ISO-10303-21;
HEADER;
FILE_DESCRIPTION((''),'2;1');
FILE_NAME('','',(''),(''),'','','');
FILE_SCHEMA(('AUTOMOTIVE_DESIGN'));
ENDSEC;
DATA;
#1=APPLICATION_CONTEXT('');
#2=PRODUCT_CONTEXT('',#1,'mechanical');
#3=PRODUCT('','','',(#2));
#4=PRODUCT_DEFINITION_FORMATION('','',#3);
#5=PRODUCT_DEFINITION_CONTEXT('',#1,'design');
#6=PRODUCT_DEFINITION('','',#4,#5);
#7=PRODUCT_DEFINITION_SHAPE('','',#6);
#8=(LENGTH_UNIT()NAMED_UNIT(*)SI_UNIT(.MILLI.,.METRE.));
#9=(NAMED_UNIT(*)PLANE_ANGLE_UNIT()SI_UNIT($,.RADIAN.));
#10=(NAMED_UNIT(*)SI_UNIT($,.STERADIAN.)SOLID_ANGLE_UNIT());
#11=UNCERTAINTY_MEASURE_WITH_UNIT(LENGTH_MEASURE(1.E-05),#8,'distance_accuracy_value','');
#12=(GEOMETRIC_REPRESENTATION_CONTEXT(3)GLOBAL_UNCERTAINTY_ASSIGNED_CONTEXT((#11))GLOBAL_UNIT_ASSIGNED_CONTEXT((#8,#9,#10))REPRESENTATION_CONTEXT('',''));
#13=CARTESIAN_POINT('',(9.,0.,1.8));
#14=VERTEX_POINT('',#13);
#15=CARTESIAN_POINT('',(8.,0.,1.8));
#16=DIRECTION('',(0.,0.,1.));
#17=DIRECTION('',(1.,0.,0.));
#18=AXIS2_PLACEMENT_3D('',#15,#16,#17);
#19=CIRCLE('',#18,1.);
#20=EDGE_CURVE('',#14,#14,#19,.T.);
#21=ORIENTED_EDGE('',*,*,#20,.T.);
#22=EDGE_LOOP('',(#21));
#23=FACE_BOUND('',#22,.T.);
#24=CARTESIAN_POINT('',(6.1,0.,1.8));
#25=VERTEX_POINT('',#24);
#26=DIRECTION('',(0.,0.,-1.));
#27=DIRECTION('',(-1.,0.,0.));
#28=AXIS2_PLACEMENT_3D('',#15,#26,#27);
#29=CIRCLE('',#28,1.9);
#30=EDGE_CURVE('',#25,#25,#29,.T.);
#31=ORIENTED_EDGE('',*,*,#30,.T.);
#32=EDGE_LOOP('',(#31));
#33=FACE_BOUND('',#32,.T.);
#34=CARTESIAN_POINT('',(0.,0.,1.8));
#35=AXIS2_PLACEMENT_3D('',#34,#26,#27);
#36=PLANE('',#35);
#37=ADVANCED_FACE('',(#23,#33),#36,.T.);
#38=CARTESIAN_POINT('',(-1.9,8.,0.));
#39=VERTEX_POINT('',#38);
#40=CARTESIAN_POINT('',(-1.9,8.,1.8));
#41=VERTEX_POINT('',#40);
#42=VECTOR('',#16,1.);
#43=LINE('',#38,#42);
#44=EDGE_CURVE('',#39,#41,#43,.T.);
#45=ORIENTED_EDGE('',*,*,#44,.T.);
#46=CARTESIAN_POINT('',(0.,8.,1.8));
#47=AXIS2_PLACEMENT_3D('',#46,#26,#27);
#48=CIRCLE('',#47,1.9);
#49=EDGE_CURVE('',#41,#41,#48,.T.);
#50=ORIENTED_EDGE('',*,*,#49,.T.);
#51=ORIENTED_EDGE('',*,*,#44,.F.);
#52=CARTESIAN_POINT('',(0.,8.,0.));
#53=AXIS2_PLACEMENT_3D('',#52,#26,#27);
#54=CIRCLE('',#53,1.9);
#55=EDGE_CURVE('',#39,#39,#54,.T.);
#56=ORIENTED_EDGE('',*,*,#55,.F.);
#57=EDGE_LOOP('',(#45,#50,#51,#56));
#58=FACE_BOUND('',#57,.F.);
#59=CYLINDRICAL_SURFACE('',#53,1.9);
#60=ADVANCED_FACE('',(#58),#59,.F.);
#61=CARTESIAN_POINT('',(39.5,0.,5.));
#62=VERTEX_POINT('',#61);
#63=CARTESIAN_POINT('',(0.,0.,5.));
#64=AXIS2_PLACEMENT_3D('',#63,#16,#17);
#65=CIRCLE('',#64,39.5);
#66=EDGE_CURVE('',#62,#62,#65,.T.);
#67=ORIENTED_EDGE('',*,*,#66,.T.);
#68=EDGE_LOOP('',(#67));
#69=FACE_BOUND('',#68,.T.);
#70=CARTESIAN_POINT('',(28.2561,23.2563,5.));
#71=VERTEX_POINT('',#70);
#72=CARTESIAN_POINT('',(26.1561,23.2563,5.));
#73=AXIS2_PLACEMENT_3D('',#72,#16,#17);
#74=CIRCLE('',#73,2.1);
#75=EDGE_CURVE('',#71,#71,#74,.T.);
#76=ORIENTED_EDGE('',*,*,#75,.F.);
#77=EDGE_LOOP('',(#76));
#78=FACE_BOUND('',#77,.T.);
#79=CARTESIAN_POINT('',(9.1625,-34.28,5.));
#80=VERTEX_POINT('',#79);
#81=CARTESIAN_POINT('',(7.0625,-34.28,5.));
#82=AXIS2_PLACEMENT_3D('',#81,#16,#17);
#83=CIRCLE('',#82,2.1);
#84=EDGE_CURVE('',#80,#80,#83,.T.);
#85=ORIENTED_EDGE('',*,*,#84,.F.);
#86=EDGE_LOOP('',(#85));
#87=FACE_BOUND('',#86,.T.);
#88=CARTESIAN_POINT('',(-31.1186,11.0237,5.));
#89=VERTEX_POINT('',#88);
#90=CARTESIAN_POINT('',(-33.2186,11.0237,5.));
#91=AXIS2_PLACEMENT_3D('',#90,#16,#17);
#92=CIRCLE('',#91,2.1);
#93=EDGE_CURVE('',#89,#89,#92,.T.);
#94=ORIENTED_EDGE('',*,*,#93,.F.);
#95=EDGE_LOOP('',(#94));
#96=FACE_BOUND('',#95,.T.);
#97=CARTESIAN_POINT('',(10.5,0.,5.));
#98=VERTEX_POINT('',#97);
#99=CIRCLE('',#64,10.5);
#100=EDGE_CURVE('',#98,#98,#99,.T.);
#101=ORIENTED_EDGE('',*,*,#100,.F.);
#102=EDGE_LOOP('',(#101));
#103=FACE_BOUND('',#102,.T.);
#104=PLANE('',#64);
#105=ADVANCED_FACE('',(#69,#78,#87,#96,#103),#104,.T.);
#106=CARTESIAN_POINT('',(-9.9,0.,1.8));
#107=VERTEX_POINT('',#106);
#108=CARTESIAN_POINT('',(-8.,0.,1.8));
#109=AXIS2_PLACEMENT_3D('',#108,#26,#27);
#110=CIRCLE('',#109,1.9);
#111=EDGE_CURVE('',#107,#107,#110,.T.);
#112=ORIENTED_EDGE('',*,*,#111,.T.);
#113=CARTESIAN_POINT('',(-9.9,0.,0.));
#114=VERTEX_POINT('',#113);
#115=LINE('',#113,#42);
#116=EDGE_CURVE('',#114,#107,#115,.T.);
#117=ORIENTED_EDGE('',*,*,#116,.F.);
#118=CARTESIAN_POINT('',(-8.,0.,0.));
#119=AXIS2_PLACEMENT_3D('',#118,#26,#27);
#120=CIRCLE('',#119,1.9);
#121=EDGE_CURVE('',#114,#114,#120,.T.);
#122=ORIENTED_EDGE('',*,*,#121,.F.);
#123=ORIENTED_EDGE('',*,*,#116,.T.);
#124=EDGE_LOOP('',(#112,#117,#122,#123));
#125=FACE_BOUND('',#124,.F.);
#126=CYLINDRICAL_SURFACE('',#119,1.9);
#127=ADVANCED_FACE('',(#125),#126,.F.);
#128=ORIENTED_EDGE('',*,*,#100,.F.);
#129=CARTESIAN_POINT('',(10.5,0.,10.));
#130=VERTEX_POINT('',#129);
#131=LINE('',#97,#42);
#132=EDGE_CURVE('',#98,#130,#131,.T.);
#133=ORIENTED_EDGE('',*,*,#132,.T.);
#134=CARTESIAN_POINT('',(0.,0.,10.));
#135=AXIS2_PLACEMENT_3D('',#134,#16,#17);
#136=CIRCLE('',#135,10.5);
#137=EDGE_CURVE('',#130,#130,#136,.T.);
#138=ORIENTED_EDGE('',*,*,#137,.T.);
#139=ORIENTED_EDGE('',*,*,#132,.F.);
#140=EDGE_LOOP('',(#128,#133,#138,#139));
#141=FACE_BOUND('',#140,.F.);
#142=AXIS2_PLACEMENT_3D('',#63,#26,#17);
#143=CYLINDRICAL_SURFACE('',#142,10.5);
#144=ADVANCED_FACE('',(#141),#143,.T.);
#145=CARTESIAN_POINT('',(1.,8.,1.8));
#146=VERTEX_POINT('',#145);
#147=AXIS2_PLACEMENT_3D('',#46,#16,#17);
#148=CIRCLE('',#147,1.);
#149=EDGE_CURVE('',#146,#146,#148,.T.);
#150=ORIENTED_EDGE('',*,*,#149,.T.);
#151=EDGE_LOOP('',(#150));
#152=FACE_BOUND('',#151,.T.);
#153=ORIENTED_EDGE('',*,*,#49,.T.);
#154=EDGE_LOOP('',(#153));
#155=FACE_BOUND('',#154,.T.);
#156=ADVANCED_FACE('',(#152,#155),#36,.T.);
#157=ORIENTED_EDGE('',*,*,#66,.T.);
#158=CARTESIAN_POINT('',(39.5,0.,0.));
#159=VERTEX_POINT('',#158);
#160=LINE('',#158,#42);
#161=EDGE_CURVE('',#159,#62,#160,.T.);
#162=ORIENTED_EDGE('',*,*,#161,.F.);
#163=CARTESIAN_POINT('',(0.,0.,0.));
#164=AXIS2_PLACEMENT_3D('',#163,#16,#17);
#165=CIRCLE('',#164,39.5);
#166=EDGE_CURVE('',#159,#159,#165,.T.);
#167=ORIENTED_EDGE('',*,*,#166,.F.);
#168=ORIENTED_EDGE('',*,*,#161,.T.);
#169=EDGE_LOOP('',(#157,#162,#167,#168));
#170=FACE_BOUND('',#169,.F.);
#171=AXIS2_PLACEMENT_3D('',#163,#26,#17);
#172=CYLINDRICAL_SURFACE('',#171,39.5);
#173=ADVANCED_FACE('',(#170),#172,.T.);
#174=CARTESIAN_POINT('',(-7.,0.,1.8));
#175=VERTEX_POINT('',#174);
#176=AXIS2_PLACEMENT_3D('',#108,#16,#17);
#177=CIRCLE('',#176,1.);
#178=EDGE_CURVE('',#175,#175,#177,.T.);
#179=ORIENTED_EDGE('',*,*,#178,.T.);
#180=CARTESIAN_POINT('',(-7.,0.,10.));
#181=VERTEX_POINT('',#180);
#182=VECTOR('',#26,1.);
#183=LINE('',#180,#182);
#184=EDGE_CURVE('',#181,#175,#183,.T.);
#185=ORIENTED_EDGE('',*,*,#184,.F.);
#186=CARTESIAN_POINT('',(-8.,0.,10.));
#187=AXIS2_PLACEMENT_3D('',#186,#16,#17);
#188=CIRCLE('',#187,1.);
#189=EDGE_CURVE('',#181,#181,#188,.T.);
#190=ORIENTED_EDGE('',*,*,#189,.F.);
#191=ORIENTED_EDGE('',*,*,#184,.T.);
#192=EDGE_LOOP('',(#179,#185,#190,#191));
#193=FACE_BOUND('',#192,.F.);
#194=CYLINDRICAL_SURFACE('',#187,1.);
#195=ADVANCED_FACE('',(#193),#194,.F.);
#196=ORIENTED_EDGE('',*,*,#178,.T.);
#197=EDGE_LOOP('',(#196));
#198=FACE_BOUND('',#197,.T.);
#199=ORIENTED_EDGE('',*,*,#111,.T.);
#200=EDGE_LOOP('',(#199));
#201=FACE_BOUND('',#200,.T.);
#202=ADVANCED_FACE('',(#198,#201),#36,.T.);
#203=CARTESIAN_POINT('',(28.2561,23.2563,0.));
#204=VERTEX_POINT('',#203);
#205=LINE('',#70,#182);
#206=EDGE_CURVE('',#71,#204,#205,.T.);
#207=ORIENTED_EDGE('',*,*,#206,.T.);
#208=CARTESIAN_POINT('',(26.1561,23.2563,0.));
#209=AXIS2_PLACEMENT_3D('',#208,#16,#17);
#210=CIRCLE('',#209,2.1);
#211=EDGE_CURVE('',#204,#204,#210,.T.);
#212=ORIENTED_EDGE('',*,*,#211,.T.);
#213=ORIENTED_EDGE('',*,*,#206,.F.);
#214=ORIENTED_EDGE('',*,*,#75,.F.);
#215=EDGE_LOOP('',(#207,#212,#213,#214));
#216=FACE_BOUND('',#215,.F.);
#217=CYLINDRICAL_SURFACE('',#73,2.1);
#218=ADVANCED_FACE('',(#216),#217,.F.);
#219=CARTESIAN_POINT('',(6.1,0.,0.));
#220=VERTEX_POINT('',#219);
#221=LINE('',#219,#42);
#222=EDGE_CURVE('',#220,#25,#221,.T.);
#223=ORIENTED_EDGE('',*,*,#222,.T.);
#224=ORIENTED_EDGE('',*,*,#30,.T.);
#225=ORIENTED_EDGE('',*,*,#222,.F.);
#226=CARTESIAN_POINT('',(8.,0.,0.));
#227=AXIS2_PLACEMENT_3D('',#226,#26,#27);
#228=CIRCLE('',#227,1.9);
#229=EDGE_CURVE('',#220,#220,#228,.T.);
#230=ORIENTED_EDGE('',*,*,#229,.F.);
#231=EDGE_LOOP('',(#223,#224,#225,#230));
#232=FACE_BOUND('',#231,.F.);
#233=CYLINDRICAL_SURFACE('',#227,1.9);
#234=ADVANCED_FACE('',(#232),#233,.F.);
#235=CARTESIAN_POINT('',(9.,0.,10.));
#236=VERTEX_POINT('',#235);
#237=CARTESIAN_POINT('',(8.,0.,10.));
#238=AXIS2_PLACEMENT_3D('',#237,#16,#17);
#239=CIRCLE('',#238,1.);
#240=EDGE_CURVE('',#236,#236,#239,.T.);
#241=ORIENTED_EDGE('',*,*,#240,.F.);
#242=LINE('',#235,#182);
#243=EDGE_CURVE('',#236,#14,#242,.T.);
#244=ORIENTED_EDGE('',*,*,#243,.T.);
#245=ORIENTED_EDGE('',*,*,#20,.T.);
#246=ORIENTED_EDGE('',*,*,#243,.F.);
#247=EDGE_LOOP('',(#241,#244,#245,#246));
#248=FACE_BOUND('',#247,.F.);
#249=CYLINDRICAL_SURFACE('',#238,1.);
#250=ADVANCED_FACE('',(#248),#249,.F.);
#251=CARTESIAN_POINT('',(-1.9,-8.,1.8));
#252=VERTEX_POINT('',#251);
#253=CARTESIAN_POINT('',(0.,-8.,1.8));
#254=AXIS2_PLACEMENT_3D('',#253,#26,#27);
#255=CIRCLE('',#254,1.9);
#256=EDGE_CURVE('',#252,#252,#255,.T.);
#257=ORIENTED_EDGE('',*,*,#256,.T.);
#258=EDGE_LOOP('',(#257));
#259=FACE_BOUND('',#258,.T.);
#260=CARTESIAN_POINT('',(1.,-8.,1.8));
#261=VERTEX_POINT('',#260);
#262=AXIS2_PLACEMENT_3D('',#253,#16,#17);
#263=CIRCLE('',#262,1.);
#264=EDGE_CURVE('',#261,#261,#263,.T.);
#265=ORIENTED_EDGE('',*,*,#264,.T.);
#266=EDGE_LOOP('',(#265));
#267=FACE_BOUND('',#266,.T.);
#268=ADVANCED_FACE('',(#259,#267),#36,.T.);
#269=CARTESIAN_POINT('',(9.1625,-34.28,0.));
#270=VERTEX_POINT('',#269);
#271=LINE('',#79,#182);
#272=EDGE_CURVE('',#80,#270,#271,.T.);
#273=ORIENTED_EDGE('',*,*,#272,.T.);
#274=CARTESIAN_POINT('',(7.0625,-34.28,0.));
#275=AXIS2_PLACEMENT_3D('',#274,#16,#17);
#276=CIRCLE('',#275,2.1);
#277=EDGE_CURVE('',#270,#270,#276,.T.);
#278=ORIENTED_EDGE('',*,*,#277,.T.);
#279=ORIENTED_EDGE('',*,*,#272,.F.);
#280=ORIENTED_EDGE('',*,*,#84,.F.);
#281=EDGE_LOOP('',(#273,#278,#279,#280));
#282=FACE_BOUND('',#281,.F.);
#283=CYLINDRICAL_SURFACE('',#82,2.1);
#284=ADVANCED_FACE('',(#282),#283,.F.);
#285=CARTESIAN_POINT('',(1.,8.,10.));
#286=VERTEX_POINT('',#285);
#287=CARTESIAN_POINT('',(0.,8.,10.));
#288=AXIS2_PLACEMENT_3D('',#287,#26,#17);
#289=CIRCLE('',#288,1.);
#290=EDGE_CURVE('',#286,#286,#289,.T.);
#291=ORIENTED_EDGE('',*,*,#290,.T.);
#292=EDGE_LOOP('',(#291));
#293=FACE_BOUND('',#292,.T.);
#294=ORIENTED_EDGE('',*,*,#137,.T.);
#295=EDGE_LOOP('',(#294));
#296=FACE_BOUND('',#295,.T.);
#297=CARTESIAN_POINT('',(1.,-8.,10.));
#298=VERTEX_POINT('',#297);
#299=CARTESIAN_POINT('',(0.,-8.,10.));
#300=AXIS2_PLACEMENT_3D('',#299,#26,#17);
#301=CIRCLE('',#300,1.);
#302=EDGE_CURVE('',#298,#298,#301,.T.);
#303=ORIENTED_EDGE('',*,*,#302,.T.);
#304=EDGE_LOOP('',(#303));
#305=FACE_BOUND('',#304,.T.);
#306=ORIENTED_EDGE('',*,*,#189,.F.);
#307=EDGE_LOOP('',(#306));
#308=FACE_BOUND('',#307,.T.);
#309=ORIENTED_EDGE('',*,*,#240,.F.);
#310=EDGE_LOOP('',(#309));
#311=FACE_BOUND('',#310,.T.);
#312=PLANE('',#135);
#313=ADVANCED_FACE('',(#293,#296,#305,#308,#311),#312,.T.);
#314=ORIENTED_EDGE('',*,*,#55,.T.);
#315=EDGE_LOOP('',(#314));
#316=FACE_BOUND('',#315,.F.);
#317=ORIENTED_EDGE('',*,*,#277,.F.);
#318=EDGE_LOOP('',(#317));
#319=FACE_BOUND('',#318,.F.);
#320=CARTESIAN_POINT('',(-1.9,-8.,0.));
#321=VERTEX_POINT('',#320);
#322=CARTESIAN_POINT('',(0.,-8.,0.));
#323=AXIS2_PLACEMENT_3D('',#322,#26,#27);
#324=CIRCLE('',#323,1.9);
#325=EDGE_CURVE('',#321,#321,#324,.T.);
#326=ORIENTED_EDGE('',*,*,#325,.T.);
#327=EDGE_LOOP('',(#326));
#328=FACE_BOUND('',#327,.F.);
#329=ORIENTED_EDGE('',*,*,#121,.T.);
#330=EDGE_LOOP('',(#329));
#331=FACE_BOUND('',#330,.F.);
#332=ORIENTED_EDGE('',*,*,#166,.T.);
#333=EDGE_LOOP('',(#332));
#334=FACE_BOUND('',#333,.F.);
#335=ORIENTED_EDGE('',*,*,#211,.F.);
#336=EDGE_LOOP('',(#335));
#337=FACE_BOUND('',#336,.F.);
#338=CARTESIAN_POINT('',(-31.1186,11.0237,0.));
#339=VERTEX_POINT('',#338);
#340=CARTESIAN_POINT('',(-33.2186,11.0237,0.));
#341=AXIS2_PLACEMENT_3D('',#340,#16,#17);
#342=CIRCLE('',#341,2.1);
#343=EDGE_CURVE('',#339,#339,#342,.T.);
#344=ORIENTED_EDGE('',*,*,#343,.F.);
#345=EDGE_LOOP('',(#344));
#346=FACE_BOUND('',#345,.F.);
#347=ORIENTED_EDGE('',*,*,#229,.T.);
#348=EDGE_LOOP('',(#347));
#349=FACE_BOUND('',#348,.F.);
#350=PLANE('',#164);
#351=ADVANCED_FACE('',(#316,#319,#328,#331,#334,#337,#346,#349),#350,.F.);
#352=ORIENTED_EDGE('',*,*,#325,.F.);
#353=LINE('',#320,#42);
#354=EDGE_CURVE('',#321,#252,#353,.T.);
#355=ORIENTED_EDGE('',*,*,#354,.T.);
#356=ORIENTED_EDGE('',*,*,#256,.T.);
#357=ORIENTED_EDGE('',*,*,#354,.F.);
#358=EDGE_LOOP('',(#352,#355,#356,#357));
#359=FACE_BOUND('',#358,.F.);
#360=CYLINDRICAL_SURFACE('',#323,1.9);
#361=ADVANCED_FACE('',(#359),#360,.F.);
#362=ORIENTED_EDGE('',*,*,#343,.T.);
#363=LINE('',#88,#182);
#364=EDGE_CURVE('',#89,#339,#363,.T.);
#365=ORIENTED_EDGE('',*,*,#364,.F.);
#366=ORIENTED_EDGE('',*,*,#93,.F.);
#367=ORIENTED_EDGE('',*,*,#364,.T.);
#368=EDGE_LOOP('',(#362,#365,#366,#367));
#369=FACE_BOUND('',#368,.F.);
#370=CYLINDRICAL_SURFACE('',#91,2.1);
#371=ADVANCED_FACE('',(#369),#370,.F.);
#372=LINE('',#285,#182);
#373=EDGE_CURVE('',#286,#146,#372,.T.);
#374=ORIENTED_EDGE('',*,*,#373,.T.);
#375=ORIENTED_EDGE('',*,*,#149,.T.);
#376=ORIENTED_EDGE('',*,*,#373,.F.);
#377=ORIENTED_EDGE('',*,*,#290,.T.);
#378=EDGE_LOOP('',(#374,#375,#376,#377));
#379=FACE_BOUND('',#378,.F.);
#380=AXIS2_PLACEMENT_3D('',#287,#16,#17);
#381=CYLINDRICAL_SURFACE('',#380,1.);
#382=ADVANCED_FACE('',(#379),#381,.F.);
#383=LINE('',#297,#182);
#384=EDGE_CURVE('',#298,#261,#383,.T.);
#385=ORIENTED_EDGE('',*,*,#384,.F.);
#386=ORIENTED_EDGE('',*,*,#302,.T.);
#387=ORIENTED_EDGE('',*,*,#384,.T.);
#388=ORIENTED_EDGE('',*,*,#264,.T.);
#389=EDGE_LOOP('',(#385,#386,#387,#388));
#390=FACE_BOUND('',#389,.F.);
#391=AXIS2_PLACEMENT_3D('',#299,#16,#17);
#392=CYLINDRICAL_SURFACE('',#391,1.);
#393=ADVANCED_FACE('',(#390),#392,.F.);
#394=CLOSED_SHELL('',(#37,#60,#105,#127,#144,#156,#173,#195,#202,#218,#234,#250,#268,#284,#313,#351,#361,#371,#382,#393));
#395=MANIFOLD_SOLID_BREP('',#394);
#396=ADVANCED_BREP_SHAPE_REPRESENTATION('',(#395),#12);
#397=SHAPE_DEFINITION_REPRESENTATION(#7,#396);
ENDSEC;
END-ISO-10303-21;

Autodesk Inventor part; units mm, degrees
ref_plane "YZ Plane" through (0, 0, 0) normal (1, 0, 0) x (0, 1, 0)
ref_plane "XZ Plane" through (0, 0, 0) normal (0, 1, 0) x (-1, 0, 0)
ref_plane "XY Plane" through (0, 0, 0) normal (0, 0, 1) x (1, 0, 0)
sketch "スケッチ1" plane through (0, 0, 0) normal (0, 0, 1) x (1, 0, 0)
  circle A0 centre (0, 0) radius 39.5
  circle A1 centre (26.1561, 23.2563) radius 2.1
  circle A2 centre (-33.2186, 11.0237) radius 2.1
  circle A3 centre (7.0625, -34.28) radius 2.1
  dimension "d0" = 79
  dimension "d3" = 4.2
  dimension "d4" = 35
  dimension "d7" = 360
extrude "押し出し1" add sketch "スケッチ1" along normal blind 5 contours A0 | A1 | A2 | A3
sketch "スケッチ2" plane through (0, 0, 5) normal (0, 0, 1) x (1, 0, 0)
  circle A0 centre (0, 0) radius 40
  circle A1 centre (26.1561, 23.2563) radius 2.1
  circle A2 centre (-33.2186, 11.0237) radius 2.1
  circle A3 centre (7.0625, -34.28) radius 2.1
  dimension "d11" = 80
  dimension "d12" = 4.2
  dimension "d13" = 35
  dimension "d14" = 360
extrude "押し出し2" cut sketch "スケッチ2" against normal blind 5 contours A1 | A2 | A3
sketch "スケッチ3" plane through (0, 0, 5) normal (0, 0, 1) x (1, 0, 0)
  circle A0 centre (0, 0) radius 10.5
  dimension "d17" = 21
extrude "押し出し3" add sketch "スケッチ3" along normal blind 5
sketch "スケッチ4" plane through (0, 0, 10) normal (0, 0, 1) x (1, 0, 0)
  circle A0 centre (0, 8) radius 1
  line L0 (0, -55.3) -> (0, 55.3) projected
  circle A1 centre (-8, 0) radius 1
  circle A2 centre (0, -8) radius 1
  circle A3 centre (8, 0) radius 1
  point P0 (0, 0)
  dimension "d20" = 2
  dimension "d21" = 8
  dimension "d24" = 360
extrude "押し出し4" cut sketch "スケッチ4" against normal blind 10
sketch "スケッチ5" plane through (0, 0, 0) normal (0, 0, -1) x (-1, 0, 0)
  circle A0 centre (-8, 0) radius 1 projected
  circle A1 centre (-8, 0) radius 1.9
  circle A2 centre (0, -8) radius 1.9
  circle A3 centre (8, 0) radius 1.9
  circle A4 centre (0, 8) radius 1.9
  point P0 (0, 0)
  dimension "d28" = 3.8
  dimension "d31" = 360
extrude "押し出し5" cut sketch "スケッチ5" against normal blind 1.8
properties part number "rotate_plate_4"
